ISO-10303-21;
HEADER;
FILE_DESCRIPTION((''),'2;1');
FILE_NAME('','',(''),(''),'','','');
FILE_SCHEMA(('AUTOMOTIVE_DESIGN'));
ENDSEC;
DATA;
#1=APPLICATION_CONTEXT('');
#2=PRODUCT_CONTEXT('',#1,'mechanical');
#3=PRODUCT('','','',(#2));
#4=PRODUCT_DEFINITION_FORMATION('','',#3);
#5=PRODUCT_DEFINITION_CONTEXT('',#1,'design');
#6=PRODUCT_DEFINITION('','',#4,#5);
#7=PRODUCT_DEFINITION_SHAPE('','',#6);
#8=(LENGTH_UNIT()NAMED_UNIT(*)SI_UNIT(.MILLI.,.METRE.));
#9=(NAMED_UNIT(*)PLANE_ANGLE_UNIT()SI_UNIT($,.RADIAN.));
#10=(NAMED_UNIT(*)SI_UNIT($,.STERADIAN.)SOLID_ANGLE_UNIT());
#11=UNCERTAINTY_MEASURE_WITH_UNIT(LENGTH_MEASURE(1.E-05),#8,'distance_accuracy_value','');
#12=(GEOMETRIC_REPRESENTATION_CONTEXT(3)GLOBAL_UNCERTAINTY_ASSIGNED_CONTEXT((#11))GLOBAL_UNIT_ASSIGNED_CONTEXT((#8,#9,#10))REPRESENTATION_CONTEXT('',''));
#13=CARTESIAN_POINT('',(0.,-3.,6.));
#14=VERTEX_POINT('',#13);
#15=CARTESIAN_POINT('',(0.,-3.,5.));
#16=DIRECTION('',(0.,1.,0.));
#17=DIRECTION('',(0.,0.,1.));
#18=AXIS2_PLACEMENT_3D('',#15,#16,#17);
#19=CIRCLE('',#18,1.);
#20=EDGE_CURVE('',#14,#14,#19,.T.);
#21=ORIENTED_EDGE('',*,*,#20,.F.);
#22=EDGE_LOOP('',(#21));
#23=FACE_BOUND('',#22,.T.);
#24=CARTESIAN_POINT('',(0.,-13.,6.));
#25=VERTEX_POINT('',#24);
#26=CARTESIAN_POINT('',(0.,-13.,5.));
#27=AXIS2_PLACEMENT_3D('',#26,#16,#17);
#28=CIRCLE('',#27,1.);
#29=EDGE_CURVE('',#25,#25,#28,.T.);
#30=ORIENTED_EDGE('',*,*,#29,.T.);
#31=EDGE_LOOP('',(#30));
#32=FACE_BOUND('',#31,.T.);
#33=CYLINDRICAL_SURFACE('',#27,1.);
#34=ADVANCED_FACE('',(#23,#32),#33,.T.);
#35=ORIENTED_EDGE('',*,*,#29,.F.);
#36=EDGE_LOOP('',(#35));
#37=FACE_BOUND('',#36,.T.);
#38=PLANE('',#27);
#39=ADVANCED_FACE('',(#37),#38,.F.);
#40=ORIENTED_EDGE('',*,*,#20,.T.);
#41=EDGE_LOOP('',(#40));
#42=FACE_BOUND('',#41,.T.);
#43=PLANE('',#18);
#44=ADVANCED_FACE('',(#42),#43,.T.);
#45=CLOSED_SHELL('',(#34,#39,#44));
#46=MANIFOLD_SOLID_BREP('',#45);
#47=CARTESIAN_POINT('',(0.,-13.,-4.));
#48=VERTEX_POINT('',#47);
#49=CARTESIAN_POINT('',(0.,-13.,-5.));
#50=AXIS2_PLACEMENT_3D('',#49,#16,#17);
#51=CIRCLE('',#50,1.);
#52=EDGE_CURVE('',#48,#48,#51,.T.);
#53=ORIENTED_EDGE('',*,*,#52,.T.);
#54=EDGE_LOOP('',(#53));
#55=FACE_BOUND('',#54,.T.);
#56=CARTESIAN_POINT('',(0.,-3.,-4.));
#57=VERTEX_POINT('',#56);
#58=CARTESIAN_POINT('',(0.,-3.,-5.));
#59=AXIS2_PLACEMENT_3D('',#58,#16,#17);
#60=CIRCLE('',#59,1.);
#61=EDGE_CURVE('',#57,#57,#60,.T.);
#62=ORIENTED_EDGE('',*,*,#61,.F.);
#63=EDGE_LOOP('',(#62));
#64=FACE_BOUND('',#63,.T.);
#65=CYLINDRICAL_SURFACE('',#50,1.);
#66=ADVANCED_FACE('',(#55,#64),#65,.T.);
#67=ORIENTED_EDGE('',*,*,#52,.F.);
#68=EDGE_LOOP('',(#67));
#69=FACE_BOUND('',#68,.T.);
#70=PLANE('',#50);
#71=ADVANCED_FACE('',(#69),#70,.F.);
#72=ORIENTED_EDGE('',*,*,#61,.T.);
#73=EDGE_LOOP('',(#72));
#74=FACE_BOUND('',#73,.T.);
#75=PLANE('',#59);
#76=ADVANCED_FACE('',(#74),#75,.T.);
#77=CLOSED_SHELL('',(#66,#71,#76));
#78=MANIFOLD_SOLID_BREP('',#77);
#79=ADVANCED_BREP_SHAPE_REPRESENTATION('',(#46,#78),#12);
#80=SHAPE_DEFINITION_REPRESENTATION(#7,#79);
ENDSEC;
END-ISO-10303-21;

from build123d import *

# Parameters (mm, degrees)
EXTRUDE_START     = -3
SKETCH_1_R        = 1
EXTRUDE_3_DEPTH   = 10
EXTRUDE_3_2_DEPTH = 10


with BuildPart() as part:
    # Эскиз1 → Бобышка-Вытянуть3 (new body)
    with BuildSketch(Plane(origin=(0, 0, 0), x_dir=(1, 0, 0), z_dir=(0, 1, 0)).offset(EXTRUDE_START)):
        with Locations(Location((0, -5, 0), (0, 0, 270))):
            Circle(SKETCH_1_R)
    extrude(amount=-EXTRUDE_3_DEPTH)


with BuildPart() as body_2:
    # Эскиз1 → Extrude 3 2 (new body)
    with BuildSketch(Plane(origin=(0, 0, 0), x_dir=(1, 0, 0), z_dir=(0, 1, 0)).offset(EXTRUDE_START)):
        with Locations(Location((0, 5, 0), (0, 0, 270))):
            Circle(SKETCH_1_R)
    extrude(amount=-EXTRUDE_3_2_DEPTH)


solid = Compound([part.part, body_2.part])
